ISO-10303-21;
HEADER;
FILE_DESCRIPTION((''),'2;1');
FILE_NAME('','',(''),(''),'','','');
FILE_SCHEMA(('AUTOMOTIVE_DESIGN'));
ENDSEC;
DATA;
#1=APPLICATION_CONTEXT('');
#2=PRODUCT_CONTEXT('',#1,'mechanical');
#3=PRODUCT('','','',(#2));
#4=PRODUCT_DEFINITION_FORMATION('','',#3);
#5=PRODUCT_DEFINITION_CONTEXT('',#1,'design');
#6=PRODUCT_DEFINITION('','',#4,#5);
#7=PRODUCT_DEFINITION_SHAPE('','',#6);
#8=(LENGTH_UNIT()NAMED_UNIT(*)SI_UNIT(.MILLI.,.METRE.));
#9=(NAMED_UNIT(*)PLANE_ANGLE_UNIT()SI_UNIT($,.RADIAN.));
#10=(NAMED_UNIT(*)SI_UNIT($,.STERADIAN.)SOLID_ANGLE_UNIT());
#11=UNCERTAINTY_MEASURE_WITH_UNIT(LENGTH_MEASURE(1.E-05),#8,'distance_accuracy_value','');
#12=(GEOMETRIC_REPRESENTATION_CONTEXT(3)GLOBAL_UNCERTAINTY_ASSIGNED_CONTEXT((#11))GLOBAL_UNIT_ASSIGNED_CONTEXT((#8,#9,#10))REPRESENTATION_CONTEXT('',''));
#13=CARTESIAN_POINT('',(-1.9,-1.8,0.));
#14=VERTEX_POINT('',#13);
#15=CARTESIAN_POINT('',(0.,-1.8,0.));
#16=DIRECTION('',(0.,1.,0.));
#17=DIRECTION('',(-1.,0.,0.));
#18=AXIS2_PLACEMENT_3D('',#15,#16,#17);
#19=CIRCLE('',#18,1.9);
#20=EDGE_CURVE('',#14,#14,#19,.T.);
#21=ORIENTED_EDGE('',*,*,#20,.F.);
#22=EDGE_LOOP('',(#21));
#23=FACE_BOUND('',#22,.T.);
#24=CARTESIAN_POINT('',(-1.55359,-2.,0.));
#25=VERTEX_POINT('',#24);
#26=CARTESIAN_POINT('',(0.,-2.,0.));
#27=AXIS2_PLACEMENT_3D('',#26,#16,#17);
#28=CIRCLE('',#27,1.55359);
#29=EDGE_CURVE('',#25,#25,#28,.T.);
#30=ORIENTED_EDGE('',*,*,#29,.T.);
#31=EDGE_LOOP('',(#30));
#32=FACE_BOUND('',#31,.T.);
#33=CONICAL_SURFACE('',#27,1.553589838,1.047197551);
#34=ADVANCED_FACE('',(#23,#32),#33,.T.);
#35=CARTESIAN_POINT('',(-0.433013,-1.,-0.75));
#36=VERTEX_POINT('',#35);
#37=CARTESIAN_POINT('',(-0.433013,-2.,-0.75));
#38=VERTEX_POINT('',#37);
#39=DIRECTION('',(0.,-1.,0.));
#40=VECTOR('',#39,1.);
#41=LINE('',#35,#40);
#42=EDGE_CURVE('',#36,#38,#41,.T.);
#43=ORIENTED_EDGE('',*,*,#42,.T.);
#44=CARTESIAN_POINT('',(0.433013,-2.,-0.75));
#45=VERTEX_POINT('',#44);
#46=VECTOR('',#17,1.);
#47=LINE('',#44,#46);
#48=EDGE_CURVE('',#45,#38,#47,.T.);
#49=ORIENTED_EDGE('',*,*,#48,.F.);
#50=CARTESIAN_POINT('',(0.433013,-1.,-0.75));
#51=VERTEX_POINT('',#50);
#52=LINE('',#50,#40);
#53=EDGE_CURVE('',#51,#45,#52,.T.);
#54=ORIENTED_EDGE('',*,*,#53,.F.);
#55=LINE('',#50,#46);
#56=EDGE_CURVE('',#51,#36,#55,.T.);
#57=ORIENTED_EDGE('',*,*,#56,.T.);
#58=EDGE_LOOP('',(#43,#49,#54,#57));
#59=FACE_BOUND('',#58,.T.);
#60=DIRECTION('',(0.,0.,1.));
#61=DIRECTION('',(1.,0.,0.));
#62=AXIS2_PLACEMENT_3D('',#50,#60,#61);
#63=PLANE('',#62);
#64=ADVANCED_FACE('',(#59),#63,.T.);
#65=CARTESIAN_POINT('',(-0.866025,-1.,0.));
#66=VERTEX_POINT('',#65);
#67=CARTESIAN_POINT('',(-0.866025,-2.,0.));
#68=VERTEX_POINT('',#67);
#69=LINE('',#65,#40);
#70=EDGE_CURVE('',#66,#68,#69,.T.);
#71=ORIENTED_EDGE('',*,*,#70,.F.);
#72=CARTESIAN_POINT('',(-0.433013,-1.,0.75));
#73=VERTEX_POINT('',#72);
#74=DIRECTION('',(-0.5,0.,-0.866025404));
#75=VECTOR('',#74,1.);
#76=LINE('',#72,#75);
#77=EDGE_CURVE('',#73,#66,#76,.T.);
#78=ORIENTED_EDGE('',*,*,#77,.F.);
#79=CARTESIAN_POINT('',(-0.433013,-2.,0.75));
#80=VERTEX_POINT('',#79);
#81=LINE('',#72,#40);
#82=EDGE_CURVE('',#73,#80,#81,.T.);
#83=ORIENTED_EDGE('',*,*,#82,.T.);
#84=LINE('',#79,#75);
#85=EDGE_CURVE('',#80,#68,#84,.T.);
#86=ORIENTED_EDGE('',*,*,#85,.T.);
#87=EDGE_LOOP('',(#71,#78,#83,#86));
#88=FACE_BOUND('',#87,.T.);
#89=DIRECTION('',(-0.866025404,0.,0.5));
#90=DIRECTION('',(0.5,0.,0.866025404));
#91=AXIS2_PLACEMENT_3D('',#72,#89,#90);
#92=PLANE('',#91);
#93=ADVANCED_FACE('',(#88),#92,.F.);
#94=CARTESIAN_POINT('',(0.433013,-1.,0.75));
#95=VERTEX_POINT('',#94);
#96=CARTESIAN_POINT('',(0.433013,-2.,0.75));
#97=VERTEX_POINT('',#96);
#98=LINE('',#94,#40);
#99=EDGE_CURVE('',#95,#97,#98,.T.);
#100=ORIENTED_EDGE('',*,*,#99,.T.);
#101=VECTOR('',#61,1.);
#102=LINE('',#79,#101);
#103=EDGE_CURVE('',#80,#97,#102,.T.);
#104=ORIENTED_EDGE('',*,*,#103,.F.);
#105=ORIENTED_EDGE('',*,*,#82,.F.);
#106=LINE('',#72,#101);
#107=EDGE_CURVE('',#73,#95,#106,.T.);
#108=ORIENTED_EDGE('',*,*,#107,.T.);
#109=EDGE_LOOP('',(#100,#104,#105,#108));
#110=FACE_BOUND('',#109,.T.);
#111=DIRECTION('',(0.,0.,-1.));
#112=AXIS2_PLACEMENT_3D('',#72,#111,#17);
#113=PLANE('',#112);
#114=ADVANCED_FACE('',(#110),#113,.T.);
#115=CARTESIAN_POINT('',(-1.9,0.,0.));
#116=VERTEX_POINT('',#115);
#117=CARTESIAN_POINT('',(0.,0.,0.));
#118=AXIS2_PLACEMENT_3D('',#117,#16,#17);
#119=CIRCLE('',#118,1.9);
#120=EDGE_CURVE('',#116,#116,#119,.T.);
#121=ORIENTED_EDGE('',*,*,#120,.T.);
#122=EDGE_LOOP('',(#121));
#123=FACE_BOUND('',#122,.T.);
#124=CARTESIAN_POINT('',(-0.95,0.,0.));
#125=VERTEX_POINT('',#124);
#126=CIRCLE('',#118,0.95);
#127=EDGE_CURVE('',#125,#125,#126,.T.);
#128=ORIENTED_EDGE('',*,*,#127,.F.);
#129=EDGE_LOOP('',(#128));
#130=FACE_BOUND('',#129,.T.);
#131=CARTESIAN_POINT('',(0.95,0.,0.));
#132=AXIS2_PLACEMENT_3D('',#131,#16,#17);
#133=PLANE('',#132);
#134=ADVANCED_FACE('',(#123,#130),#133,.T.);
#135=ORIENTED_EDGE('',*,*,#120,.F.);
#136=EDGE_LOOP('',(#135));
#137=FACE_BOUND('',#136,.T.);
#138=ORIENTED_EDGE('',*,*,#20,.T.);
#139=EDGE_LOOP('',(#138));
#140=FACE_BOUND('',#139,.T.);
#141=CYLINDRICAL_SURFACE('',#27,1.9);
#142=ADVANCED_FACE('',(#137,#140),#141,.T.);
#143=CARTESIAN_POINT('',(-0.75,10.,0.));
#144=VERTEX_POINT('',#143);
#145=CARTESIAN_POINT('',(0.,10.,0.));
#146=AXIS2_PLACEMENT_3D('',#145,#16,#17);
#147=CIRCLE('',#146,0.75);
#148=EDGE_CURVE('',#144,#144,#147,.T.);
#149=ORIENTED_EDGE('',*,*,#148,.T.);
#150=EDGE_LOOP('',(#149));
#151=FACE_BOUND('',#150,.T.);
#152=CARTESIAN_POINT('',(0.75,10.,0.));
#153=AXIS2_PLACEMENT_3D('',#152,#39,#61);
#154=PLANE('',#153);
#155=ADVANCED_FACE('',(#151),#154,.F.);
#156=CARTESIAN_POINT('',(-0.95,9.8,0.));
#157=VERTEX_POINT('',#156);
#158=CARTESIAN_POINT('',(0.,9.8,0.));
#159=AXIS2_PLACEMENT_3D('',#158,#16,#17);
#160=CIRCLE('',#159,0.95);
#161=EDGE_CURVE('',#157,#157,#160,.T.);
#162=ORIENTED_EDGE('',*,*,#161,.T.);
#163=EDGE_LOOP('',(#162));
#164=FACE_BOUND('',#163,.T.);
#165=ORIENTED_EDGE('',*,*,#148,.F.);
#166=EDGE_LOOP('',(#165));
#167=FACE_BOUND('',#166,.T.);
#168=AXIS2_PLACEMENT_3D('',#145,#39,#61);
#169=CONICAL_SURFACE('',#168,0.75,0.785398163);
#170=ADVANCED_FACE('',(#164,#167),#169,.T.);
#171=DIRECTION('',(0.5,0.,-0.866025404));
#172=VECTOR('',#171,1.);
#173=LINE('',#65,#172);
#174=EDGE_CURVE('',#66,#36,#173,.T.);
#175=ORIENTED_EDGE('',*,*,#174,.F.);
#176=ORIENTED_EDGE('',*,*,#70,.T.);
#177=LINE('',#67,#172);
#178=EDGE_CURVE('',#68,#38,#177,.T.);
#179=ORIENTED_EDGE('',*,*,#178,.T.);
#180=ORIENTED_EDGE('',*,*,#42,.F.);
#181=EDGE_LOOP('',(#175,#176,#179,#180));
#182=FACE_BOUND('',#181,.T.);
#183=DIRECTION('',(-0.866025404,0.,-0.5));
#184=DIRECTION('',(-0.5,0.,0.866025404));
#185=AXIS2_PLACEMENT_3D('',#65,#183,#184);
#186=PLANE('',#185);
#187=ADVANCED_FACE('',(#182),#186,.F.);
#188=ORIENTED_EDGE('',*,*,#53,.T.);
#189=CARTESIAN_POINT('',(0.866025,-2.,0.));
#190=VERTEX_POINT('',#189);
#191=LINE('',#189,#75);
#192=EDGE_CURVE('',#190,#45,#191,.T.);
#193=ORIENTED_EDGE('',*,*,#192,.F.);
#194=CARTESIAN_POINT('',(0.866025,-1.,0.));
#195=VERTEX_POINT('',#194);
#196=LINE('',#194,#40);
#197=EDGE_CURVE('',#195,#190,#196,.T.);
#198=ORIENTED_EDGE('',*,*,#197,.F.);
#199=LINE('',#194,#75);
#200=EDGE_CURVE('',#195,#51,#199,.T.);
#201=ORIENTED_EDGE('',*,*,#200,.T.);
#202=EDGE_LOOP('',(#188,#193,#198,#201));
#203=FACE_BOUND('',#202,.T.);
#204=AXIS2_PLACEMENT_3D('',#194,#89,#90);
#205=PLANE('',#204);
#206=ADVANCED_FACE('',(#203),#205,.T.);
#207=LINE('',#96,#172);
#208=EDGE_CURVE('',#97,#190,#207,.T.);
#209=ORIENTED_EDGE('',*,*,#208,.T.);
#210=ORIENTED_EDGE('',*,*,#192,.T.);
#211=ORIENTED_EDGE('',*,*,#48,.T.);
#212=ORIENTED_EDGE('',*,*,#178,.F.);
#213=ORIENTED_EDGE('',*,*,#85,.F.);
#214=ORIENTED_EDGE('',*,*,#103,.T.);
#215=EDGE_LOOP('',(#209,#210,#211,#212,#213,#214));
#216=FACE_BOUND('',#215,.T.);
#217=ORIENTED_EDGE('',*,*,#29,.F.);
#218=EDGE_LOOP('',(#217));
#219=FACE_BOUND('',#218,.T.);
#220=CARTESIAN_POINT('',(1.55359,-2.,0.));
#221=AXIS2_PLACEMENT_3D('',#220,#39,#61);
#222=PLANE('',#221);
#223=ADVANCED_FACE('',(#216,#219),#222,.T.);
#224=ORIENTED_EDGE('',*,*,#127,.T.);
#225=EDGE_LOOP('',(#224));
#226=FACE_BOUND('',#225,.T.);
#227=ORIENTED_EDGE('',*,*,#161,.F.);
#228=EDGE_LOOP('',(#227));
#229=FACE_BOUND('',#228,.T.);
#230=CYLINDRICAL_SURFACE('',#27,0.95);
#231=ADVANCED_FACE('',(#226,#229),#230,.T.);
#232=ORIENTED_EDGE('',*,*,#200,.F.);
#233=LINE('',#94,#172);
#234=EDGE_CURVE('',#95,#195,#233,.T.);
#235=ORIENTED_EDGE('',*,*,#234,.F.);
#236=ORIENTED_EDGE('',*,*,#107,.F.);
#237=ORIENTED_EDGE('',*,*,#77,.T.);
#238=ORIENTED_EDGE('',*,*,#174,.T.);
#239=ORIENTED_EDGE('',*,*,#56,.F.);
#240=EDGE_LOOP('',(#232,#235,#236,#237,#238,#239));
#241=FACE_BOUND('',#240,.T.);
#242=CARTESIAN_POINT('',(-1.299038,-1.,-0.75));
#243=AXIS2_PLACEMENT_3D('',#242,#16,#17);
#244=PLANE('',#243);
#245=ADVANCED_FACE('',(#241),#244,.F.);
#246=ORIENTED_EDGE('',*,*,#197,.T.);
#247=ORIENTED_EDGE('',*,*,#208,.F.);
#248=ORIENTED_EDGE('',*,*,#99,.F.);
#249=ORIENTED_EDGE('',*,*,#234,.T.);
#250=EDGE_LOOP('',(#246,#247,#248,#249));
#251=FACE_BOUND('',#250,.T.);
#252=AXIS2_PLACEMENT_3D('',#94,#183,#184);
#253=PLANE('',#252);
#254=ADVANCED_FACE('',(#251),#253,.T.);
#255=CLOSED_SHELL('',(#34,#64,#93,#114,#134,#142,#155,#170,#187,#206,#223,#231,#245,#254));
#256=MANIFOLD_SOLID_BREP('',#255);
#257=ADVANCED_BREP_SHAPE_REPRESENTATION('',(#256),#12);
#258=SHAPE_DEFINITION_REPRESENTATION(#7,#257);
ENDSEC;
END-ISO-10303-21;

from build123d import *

# Parameters (mm, degrees)
CUT_EXTRUDE1_DEPTH = 1


with BuildPart() as part:
    # Sketch1 → Base-Revolve (revolve)
    with BuildSketch(Plane.XY, mode=Mode.PRIVATE) as base_revolve_sk:
        Polygon((0.95, 0), (1.9, 0), (1.9, -1.8), (1.553589838, -2), (0, -2), (0, 10), (0.75, 10), (0.95, 9.8), align=None)
    revolve(base_revolve_sk.sketch.rotate(Axis((0, -2, 0), (0, -1, 0)), 180), axis=Axis((0, -2, 0), (0, -1, 0)))

    # Sketch2 → Cut-Extrude1 (cut)
    with BuildSketch(Plane.XZ.offset(2)):
        Polygon((-0.433012702, 0.75), (0.433012702, 0.75), (0.866025404, 0), (0.433012702, -0.75), (-0.433012702, -0.75), (-0.866025404, 0), align=None)
    extrude(amount=-CUT_EXTRUDE1_DEPTH, mode=Mode.SUBTRACT)


solid = part.part
